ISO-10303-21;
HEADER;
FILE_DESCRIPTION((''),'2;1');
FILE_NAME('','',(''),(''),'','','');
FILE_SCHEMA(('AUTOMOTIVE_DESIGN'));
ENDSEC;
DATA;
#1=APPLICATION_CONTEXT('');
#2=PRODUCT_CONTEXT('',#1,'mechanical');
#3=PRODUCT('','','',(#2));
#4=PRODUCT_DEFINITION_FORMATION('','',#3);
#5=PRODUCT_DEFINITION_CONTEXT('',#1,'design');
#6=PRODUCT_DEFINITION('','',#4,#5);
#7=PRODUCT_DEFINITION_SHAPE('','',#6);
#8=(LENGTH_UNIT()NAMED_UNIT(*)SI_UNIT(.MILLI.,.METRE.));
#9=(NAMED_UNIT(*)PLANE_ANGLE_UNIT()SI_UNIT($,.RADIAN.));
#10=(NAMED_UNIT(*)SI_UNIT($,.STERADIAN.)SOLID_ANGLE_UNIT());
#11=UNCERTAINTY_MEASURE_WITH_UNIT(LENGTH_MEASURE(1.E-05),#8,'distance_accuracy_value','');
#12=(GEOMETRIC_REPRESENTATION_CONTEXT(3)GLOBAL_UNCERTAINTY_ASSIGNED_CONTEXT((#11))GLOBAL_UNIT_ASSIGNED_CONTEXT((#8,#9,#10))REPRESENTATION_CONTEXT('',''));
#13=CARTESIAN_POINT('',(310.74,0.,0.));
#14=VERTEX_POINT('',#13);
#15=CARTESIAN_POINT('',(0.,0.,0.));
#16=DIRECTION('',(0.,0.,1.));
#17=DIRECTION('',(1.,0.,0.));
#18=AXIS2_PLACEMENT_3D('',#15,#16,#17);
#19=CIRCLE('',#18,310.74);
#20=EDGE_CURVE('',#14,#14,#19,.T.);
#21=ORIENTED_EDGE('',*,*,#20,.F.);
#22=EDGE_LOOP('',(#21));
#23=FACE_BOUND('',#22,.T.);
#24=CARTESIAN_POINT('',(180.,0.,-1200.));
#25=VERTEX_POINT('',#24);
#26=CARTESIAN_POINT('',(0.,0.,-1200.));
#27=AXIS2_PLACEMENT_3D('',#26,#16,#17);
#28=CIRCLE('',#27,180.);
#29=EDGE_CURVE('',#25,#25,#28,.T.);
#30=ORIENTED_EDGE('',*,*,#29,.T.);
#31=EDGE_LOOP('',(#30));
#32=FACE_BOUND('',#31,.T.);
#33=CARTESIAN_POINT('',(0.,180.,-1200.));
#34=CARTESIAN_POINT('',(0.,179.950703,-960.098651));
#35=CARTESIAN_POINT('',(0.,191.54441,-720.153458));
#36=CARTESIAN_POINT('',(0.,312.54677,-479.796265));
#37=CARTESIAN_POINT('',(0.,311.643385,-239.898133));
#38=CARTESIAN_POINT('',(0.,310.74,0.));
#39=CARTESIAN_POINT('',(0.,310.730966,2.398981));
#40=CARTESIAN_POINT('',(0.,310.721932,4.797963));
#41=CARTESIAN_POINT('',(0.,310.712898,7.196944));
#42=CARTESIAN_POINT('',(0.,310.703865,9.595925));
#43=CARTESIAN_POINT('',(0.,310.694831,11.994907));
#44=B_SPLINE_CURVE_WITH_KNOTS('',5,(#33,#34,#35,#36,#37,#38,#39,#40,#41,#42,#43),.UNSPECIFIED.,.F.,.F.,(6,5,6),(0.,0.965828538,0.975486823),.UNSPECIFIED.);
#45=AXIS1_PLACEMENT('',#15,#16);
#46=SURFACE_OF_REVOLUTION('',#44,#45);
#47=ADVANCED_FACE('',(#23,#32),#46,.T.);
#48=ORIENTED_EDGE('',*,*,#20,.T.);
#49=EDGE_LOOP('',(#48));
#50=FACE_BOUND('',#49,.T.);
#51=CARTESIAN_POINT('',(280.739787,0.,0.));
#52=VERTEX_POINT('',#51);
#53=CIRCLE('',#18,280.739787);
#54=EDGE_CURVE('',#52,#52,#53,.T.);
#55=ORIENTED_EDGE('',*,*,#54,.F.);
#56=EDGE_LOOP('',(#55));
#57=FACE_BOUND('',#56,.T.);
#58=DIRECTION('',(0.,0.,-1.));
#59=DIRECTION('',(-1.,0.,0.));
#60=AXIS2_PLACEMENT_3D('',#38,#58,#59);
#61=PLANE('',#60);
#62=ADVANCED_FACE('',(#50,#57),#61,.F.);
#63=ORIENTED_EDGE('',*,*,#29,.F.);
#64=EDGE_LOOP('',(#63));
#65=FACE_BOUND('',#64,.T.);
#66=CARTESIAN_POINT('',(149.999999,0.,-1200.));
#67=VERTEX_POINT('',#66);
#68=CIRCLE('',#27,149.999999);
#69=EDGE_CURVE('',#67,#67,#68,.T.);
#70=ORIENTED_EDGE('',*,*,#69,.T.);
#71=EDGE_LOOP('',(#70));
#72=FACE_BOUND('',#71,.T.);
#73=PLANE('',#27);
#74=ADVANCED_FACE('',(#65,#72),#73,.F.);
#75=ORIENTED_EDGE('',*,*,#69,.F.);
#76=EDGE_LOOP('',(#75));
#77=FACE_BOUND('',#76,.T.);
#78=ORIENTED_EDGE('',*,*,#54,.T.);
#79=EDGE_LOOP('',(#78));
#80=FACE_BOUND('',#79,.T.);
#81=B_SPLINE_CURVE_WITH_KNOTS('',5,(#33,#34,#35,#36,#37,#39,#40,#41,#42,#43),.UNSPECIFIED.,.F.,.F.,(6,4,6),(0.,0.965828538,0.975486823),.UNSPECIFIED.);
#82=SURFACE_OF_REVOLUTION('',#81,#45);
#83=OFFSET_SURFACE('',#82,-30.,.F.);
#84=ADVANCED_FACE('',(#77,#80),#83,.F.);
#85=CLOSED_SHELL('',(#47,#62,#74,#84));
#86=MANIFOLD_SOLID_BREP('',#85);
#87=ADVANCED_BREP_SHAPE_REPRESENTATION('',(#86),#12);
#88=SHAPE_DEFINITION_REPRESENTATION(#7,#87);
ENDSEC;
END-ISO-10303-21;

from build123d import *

# Parameters (mm, degrees)
VACIADO1_T = -30


with BuildPart() as part:
    # Croquis1 → Revolución2 (revolve)
    with BuildSketch(Plane(origin=(0, 0, 0), x_dir=(0, 0, -1), z_dir=(1, 0, 0))):
        with BuildLine():
            Line((0, 310.74), (0, 0))
            Line((0, 0), (1200, 0))
            Line((1200, 0), (1200, 180))
            add(Edge.make_bspline(
                [(0, 310.74), (239.898132517, 311.643385127), (479.796265033, 312.546770255), (720.153458385, 191.544410274), (960.098651242, 179.950702731), (1200, 180)],
                knots=[0, 0, 0, 0, 0, 0, 0.965828538, 0.965828538, 0.965828538, 0.965828538, 0.965828538, 0.965828538], degree=5))
        make_face()
    revolve(axis=Axis((0, 0, 0), (0, 0, -1)))

    # Vaciado1
    vaciado1_openings = [part.faces().sort_by_distance(p)[0] for p in [
        (0, 0, 0),
        (0, 0, -1200),
    ]]
    offset(amount=VACIADO1_T, openings=vaciado1_openings, kind=Kind.INTERSECTION)


solid = part.part
